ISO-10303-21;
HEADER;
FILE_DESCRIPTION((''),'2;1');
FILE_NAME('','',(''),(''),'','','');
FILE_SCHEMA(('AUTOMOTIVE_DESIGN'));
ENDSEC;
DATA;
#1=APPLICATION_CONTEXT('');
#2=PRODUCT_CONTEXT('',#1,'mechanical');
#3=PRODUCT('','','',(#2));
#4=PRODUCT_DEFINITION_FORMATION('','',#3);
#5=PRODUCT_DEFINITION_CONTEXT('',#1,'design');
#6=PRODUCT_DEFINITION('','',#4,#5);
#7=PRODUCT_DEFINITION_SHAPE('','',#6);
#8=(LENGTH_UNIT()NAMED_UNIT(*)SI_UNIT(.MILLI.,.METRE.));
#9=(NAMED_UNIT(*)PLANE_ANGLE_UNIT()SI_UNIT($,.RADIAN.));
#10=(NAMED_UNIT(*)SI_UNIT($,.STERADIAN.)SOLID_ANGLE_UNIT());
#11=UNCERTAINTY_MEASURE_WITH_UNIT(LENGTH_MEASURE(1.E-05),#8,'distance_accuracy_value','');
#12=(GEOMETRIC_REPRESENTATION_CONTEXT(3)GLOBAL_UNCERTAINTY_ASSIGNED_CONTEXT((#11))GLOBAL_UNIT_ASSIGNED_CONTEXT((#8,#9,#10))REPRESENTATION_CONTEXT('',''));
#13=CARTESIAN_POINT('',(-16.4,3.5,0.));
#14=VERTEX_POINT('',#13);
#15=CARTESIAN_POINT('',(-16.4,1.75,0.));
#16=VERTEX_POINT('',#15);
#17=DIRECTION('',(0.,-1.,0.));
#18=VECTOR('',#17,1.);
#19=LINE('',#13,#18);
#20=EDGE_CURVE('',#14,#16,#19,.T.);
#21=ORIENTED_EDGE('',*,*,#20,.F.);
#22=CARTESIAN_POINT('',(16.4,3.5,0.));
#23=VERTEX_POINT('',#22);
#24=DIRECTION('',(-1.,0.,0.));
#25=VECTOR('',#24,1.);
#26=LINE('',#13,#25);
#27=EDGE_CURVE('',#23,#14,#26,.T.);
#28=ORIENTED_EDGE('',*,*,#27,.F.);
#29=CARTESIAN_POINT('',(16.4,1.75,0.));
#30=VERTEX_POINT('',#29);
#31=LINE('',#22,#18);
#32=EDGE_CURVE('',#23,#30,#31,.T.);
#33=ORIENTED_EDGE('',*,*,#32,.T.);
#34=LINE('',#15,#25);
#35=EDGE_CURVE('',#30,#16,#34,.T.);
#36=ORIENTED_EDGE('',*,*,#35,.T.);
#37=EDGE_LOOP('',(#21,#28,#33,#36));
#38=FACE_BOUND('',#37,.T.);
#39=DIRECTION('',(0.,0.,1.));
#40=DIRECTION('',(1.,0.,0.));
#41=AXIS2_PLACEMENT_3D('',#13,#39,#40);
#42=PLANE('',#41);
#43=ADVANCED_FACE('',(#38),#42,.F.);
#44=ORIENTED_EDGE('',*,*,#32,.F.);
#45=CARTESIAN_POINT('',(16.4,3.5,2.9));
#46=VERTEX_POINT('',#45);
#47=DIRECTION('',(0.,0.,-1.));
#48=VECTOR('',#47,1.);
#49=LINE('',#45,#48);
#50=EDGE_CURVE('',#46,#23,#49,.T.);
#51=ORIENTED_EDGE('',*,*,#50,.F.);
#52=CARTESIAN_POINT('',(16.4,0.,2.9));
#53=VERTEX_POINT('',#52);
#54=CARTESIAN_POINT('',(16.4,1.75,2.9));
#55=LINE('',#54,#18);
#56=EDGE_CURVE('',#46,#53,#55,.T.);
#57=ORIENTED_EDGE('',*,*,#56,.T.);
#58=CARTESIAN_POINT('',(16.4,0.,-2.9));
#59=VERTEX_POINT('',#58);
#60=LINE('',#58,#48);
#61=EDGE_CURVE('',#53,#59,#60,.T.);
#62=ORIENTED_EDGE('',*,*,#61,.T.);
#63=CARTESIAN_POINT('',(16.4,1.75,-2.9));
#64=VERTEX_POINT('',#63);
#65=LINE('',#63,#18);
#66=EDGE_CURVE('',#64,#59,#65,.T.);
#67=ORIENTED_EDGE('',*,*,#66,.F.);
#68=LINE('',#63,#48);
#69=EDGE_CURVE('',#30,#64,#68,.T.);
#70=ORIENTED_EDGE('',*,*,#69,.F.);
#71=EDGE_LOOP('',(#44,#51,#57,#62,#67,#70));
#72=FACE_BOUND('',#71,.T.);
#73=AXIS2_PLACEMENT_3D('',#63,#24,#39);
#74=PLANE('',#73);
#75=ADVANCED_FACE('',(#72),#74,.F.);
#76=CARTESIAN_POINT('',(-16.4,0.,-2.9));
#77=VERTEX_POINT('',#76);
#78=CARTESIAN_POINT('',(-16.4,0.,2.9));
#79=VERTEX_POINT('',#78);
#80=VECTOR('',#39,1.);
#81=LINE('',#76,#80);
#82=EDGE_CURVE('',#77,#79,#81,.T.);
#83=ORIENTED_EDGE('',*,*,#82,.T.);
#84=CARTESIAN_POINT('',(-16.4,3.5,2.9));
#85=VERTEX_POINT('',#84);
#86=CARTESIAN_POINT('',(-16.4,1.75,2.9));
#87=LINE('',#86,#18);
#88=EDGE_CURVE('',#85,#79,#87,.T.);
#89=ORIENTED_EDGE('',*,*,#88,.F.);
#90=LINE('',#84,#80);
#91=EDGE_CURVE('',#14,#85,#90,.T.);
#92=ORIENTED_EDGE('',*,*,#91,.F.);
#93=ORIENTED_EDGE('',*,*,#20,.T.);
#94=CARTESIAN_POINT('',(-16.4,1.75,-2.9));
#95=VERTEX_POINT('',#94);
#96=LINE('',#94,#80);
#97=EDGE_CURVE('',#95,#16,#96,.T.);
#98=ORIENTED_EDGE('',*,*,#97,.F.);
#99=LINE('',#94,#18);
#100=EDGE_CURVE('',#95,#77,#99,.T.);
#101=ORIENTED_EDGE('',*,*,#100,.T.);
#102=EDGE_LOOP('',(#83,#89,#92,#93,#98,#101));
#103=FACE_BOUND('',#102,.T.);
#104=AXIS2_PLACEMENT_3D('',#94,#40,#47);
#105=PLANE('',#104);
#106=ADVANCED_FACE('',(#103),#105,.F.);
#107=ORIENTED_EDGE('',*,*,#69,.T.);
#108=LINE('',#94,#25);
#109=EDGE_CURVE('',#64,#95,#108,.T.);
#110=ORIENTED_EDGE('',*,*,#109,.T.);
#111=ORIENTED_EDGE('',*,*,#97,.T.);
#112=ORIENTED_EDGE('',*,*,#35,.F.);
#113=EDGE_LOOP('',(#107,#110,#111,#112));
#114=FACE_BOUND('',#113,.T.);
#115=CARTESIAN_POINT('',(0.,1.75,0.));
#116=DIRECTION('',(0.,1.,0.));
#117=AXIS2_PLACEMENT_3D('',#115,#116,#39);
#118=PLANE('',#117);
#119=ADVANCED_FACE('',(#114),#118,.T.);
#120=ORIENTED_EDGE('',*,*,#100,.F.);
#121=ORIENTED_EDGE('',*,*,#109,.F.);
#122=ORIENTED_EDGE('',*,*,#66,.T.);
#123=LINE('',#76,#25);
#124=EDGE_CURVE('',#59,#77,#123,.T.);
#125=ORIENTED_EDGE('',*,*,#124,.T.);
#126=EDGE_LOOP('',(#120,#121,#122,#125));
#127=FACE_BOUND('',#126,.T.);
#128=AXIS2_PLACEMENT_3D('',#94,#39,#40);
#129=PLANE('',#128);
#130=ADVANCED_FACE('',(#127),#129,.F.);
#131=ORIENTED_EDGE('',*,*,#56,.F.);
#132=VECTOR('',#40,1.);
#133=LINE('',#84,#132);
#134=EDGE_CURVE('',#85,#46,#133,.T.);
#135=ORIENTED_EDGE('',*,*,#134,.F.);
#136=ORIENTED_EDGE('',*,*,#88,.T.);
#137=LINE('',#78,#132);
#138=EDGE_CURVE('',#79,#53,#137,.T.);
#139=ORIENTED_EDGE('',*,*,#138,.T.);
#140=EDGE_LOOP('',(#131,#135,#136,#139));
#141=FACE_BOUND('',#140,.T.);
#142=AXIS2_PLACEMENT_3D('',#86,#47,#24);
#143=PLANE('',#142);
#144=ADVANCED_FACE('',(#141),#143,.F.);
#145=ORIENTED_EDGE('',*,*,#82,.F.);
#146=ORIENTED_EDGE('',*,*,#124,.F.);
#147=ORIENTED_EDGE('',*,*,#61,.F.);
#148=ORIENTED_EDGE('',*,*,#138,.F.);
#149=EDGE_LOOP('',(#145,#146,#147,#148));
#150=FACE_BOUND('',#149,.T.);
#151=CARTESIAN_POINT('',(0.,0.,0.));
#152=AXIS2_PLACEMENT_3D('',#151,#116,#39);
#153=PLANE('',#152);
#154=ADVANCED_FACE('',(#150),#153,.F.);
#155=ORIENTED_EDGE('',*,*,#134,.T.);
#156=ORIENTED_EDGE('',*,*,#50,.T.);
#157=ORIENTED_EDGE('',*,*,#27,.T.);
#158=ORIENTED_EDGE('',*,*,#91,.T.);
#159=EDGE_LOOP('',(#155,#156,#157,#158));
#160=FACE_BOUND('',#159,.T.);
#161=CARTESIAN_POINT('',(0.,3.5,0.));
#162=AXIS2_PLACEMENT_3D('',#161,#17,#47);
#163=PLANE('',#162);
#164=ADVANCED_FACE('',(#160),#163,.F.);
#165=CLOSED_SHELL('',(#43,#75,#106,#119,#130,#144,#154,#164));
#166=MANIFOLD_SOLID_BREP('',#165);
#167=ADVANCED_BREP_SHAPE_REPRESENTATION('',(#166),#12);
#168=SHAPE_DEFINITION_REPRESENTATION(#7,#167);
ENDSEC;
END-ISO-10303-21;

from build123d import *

# Parameters (mm, degrees)
SKETCH_1_W      = 32.8
SKETCH_1_H      = 5.8
EXTRUDE_1_DEPTH = 1.75
SKETCH_2_W      = 32.8
SKETCH_2_H      = 2.9
EXTRUDE_2_DEPTH = 1.75


with BuildPart() as part:
    # 草图1 → 凸台-拉伸1 (new body)
    with BuildSketch(Plane(origin=(0, 0, 0), x_dir=(1, 0, 0), z_dir=(0, 1, 0))):
        Rectangle(SKETCH_1_W, SKETCH_1_H)
    extrude(amount=EXTRUDE_1_DEPTH)

    # 草图2 → 凸台-拉伸2 (add)
    with BuildSketch(Plane(origin=(0, 1.75, 0), x_dir=(1, 0, 0), z_dir=(0, 1, 0))):
        with Locations((0, -1.45)):
            Rectangle(SKETCH_2_W, SKETCH_2_H)
    extrude(amount=EXTRUDE_2_DEPTH)


solid = part.part
